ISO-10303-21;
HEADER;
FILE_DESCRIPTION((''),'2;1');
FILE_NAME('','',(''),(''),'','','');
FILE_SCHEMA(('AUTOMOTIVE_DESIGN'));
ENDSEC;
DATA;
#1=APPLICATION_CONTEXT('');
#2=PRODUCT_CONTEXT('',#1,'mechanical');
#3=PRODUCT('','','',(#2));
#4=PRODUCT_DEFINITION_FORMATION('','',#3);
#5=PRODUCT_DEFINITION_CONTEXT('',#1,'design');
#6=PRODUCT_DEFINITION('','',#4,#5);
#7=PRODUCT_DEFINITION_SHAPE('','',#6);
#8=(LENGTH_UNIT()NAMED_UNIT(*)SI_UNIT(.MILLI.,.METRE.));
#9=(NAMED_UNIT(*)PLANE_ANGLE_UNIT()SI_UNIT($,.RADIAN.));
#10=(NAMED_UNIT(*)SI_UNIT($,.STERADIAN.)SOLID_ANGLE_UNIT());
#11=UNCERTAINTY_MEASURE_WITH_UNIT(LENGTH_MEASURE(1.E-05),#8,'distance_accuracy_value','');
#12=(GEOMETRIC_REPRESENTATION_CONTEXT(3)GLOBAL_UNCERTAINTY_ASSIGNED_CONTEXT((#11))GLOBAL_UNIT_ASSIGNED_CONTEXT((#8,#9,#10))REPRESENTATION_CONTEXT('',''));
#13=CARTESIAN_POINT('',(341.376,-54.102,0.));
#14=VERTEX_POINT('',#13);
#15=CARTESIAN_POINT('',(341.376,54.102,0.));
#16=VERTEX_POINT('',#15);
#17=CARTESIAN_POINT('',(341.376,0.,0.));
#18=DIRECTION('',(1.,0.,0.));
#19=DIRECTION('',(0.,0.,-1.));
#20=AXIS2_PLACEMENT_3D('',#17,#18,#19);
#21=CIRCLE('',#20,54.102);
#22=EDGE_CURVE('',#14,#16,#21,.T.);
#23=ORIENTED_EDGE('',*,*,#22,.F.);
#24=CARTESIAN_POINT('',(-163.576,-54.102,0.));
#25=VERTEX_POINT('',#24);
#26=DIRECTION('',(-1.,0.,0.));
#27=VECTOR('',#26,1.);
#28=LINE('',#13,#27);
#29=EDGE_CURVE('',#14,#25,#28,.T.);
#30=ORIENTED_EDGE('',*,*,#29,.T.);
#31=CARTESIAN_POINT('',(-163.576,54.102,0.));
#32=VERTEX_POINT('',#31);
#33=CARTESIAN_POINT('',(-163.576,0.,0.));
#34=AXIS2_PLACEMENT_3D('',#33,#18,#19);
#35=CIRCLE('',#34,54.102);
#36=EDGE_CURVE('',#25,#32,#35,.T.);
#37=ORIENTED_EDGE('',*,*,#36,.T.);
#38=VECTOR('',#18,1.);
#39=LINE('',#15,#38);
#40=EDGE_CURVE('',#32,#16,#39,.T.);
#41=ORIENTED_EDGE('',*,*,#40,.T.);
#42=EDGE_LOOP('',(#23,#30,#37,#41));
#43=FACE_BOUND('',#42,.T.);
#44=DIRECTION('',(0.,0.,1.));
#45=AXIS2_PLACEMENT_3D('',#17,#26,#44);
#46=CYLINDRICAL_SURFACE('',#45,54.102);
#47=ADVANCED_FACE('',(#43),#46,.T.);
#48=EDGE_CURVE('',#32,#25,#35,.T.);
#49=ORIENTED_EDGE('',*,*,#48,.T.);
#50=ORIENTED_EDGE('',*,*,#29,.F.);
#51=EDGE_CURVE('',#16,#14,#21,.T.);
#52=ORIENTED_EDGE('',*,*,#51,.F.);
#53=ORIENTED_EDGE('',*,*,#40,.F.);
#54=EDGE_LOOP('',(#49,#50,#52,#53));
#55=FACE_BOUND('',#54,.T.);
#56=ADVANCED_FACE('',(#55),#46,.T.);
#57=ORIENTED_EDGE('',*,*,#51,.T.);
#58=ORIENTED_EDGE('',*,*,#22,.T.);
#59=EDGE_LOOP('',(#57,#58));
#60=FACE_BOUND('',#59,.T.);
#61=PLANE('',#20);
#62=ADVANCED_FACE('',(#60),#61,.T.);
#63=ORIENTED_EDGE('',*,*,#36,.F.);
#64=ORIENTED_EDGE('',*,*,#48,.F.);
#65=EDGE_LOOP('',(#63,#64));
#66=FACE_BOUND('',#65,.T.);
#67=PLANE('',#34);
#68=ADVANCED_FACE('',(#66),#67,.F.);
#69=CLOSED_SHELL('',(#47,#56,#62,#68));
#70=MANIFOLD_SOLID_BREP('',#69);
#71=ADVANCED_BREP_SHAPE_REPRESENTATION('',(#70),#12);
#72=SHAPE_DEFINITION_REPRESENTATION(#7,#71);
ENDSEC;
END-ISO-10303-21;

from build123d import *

# Parameters (mm, degrees)
SKETCH1_R           = 19.05
BOSS_EXTRUDE1_DEPTH = 177.8
SCALE1_SCALE        = 2.84


with BuildPart() as part:
    # Sketch1 → Boss-Extrude1 (new body)
    with BuildSketch(Plane(origin=(0, 0, 0), x_dir=(0, 0, -1), z_dir=(1, 0, 0))):
        Circle(SKETCH1_R)
    extrude(amount=BOSS_EXTRUDE1_DEPTH)


with BuildPart() as part_1:
    # Scale1: scaled about (88.9, 0, 0)
    add(part.part.scale(SCALE1_SCALE).moved(Location((-163.576, 0, 0))))


solid = part_1.part
